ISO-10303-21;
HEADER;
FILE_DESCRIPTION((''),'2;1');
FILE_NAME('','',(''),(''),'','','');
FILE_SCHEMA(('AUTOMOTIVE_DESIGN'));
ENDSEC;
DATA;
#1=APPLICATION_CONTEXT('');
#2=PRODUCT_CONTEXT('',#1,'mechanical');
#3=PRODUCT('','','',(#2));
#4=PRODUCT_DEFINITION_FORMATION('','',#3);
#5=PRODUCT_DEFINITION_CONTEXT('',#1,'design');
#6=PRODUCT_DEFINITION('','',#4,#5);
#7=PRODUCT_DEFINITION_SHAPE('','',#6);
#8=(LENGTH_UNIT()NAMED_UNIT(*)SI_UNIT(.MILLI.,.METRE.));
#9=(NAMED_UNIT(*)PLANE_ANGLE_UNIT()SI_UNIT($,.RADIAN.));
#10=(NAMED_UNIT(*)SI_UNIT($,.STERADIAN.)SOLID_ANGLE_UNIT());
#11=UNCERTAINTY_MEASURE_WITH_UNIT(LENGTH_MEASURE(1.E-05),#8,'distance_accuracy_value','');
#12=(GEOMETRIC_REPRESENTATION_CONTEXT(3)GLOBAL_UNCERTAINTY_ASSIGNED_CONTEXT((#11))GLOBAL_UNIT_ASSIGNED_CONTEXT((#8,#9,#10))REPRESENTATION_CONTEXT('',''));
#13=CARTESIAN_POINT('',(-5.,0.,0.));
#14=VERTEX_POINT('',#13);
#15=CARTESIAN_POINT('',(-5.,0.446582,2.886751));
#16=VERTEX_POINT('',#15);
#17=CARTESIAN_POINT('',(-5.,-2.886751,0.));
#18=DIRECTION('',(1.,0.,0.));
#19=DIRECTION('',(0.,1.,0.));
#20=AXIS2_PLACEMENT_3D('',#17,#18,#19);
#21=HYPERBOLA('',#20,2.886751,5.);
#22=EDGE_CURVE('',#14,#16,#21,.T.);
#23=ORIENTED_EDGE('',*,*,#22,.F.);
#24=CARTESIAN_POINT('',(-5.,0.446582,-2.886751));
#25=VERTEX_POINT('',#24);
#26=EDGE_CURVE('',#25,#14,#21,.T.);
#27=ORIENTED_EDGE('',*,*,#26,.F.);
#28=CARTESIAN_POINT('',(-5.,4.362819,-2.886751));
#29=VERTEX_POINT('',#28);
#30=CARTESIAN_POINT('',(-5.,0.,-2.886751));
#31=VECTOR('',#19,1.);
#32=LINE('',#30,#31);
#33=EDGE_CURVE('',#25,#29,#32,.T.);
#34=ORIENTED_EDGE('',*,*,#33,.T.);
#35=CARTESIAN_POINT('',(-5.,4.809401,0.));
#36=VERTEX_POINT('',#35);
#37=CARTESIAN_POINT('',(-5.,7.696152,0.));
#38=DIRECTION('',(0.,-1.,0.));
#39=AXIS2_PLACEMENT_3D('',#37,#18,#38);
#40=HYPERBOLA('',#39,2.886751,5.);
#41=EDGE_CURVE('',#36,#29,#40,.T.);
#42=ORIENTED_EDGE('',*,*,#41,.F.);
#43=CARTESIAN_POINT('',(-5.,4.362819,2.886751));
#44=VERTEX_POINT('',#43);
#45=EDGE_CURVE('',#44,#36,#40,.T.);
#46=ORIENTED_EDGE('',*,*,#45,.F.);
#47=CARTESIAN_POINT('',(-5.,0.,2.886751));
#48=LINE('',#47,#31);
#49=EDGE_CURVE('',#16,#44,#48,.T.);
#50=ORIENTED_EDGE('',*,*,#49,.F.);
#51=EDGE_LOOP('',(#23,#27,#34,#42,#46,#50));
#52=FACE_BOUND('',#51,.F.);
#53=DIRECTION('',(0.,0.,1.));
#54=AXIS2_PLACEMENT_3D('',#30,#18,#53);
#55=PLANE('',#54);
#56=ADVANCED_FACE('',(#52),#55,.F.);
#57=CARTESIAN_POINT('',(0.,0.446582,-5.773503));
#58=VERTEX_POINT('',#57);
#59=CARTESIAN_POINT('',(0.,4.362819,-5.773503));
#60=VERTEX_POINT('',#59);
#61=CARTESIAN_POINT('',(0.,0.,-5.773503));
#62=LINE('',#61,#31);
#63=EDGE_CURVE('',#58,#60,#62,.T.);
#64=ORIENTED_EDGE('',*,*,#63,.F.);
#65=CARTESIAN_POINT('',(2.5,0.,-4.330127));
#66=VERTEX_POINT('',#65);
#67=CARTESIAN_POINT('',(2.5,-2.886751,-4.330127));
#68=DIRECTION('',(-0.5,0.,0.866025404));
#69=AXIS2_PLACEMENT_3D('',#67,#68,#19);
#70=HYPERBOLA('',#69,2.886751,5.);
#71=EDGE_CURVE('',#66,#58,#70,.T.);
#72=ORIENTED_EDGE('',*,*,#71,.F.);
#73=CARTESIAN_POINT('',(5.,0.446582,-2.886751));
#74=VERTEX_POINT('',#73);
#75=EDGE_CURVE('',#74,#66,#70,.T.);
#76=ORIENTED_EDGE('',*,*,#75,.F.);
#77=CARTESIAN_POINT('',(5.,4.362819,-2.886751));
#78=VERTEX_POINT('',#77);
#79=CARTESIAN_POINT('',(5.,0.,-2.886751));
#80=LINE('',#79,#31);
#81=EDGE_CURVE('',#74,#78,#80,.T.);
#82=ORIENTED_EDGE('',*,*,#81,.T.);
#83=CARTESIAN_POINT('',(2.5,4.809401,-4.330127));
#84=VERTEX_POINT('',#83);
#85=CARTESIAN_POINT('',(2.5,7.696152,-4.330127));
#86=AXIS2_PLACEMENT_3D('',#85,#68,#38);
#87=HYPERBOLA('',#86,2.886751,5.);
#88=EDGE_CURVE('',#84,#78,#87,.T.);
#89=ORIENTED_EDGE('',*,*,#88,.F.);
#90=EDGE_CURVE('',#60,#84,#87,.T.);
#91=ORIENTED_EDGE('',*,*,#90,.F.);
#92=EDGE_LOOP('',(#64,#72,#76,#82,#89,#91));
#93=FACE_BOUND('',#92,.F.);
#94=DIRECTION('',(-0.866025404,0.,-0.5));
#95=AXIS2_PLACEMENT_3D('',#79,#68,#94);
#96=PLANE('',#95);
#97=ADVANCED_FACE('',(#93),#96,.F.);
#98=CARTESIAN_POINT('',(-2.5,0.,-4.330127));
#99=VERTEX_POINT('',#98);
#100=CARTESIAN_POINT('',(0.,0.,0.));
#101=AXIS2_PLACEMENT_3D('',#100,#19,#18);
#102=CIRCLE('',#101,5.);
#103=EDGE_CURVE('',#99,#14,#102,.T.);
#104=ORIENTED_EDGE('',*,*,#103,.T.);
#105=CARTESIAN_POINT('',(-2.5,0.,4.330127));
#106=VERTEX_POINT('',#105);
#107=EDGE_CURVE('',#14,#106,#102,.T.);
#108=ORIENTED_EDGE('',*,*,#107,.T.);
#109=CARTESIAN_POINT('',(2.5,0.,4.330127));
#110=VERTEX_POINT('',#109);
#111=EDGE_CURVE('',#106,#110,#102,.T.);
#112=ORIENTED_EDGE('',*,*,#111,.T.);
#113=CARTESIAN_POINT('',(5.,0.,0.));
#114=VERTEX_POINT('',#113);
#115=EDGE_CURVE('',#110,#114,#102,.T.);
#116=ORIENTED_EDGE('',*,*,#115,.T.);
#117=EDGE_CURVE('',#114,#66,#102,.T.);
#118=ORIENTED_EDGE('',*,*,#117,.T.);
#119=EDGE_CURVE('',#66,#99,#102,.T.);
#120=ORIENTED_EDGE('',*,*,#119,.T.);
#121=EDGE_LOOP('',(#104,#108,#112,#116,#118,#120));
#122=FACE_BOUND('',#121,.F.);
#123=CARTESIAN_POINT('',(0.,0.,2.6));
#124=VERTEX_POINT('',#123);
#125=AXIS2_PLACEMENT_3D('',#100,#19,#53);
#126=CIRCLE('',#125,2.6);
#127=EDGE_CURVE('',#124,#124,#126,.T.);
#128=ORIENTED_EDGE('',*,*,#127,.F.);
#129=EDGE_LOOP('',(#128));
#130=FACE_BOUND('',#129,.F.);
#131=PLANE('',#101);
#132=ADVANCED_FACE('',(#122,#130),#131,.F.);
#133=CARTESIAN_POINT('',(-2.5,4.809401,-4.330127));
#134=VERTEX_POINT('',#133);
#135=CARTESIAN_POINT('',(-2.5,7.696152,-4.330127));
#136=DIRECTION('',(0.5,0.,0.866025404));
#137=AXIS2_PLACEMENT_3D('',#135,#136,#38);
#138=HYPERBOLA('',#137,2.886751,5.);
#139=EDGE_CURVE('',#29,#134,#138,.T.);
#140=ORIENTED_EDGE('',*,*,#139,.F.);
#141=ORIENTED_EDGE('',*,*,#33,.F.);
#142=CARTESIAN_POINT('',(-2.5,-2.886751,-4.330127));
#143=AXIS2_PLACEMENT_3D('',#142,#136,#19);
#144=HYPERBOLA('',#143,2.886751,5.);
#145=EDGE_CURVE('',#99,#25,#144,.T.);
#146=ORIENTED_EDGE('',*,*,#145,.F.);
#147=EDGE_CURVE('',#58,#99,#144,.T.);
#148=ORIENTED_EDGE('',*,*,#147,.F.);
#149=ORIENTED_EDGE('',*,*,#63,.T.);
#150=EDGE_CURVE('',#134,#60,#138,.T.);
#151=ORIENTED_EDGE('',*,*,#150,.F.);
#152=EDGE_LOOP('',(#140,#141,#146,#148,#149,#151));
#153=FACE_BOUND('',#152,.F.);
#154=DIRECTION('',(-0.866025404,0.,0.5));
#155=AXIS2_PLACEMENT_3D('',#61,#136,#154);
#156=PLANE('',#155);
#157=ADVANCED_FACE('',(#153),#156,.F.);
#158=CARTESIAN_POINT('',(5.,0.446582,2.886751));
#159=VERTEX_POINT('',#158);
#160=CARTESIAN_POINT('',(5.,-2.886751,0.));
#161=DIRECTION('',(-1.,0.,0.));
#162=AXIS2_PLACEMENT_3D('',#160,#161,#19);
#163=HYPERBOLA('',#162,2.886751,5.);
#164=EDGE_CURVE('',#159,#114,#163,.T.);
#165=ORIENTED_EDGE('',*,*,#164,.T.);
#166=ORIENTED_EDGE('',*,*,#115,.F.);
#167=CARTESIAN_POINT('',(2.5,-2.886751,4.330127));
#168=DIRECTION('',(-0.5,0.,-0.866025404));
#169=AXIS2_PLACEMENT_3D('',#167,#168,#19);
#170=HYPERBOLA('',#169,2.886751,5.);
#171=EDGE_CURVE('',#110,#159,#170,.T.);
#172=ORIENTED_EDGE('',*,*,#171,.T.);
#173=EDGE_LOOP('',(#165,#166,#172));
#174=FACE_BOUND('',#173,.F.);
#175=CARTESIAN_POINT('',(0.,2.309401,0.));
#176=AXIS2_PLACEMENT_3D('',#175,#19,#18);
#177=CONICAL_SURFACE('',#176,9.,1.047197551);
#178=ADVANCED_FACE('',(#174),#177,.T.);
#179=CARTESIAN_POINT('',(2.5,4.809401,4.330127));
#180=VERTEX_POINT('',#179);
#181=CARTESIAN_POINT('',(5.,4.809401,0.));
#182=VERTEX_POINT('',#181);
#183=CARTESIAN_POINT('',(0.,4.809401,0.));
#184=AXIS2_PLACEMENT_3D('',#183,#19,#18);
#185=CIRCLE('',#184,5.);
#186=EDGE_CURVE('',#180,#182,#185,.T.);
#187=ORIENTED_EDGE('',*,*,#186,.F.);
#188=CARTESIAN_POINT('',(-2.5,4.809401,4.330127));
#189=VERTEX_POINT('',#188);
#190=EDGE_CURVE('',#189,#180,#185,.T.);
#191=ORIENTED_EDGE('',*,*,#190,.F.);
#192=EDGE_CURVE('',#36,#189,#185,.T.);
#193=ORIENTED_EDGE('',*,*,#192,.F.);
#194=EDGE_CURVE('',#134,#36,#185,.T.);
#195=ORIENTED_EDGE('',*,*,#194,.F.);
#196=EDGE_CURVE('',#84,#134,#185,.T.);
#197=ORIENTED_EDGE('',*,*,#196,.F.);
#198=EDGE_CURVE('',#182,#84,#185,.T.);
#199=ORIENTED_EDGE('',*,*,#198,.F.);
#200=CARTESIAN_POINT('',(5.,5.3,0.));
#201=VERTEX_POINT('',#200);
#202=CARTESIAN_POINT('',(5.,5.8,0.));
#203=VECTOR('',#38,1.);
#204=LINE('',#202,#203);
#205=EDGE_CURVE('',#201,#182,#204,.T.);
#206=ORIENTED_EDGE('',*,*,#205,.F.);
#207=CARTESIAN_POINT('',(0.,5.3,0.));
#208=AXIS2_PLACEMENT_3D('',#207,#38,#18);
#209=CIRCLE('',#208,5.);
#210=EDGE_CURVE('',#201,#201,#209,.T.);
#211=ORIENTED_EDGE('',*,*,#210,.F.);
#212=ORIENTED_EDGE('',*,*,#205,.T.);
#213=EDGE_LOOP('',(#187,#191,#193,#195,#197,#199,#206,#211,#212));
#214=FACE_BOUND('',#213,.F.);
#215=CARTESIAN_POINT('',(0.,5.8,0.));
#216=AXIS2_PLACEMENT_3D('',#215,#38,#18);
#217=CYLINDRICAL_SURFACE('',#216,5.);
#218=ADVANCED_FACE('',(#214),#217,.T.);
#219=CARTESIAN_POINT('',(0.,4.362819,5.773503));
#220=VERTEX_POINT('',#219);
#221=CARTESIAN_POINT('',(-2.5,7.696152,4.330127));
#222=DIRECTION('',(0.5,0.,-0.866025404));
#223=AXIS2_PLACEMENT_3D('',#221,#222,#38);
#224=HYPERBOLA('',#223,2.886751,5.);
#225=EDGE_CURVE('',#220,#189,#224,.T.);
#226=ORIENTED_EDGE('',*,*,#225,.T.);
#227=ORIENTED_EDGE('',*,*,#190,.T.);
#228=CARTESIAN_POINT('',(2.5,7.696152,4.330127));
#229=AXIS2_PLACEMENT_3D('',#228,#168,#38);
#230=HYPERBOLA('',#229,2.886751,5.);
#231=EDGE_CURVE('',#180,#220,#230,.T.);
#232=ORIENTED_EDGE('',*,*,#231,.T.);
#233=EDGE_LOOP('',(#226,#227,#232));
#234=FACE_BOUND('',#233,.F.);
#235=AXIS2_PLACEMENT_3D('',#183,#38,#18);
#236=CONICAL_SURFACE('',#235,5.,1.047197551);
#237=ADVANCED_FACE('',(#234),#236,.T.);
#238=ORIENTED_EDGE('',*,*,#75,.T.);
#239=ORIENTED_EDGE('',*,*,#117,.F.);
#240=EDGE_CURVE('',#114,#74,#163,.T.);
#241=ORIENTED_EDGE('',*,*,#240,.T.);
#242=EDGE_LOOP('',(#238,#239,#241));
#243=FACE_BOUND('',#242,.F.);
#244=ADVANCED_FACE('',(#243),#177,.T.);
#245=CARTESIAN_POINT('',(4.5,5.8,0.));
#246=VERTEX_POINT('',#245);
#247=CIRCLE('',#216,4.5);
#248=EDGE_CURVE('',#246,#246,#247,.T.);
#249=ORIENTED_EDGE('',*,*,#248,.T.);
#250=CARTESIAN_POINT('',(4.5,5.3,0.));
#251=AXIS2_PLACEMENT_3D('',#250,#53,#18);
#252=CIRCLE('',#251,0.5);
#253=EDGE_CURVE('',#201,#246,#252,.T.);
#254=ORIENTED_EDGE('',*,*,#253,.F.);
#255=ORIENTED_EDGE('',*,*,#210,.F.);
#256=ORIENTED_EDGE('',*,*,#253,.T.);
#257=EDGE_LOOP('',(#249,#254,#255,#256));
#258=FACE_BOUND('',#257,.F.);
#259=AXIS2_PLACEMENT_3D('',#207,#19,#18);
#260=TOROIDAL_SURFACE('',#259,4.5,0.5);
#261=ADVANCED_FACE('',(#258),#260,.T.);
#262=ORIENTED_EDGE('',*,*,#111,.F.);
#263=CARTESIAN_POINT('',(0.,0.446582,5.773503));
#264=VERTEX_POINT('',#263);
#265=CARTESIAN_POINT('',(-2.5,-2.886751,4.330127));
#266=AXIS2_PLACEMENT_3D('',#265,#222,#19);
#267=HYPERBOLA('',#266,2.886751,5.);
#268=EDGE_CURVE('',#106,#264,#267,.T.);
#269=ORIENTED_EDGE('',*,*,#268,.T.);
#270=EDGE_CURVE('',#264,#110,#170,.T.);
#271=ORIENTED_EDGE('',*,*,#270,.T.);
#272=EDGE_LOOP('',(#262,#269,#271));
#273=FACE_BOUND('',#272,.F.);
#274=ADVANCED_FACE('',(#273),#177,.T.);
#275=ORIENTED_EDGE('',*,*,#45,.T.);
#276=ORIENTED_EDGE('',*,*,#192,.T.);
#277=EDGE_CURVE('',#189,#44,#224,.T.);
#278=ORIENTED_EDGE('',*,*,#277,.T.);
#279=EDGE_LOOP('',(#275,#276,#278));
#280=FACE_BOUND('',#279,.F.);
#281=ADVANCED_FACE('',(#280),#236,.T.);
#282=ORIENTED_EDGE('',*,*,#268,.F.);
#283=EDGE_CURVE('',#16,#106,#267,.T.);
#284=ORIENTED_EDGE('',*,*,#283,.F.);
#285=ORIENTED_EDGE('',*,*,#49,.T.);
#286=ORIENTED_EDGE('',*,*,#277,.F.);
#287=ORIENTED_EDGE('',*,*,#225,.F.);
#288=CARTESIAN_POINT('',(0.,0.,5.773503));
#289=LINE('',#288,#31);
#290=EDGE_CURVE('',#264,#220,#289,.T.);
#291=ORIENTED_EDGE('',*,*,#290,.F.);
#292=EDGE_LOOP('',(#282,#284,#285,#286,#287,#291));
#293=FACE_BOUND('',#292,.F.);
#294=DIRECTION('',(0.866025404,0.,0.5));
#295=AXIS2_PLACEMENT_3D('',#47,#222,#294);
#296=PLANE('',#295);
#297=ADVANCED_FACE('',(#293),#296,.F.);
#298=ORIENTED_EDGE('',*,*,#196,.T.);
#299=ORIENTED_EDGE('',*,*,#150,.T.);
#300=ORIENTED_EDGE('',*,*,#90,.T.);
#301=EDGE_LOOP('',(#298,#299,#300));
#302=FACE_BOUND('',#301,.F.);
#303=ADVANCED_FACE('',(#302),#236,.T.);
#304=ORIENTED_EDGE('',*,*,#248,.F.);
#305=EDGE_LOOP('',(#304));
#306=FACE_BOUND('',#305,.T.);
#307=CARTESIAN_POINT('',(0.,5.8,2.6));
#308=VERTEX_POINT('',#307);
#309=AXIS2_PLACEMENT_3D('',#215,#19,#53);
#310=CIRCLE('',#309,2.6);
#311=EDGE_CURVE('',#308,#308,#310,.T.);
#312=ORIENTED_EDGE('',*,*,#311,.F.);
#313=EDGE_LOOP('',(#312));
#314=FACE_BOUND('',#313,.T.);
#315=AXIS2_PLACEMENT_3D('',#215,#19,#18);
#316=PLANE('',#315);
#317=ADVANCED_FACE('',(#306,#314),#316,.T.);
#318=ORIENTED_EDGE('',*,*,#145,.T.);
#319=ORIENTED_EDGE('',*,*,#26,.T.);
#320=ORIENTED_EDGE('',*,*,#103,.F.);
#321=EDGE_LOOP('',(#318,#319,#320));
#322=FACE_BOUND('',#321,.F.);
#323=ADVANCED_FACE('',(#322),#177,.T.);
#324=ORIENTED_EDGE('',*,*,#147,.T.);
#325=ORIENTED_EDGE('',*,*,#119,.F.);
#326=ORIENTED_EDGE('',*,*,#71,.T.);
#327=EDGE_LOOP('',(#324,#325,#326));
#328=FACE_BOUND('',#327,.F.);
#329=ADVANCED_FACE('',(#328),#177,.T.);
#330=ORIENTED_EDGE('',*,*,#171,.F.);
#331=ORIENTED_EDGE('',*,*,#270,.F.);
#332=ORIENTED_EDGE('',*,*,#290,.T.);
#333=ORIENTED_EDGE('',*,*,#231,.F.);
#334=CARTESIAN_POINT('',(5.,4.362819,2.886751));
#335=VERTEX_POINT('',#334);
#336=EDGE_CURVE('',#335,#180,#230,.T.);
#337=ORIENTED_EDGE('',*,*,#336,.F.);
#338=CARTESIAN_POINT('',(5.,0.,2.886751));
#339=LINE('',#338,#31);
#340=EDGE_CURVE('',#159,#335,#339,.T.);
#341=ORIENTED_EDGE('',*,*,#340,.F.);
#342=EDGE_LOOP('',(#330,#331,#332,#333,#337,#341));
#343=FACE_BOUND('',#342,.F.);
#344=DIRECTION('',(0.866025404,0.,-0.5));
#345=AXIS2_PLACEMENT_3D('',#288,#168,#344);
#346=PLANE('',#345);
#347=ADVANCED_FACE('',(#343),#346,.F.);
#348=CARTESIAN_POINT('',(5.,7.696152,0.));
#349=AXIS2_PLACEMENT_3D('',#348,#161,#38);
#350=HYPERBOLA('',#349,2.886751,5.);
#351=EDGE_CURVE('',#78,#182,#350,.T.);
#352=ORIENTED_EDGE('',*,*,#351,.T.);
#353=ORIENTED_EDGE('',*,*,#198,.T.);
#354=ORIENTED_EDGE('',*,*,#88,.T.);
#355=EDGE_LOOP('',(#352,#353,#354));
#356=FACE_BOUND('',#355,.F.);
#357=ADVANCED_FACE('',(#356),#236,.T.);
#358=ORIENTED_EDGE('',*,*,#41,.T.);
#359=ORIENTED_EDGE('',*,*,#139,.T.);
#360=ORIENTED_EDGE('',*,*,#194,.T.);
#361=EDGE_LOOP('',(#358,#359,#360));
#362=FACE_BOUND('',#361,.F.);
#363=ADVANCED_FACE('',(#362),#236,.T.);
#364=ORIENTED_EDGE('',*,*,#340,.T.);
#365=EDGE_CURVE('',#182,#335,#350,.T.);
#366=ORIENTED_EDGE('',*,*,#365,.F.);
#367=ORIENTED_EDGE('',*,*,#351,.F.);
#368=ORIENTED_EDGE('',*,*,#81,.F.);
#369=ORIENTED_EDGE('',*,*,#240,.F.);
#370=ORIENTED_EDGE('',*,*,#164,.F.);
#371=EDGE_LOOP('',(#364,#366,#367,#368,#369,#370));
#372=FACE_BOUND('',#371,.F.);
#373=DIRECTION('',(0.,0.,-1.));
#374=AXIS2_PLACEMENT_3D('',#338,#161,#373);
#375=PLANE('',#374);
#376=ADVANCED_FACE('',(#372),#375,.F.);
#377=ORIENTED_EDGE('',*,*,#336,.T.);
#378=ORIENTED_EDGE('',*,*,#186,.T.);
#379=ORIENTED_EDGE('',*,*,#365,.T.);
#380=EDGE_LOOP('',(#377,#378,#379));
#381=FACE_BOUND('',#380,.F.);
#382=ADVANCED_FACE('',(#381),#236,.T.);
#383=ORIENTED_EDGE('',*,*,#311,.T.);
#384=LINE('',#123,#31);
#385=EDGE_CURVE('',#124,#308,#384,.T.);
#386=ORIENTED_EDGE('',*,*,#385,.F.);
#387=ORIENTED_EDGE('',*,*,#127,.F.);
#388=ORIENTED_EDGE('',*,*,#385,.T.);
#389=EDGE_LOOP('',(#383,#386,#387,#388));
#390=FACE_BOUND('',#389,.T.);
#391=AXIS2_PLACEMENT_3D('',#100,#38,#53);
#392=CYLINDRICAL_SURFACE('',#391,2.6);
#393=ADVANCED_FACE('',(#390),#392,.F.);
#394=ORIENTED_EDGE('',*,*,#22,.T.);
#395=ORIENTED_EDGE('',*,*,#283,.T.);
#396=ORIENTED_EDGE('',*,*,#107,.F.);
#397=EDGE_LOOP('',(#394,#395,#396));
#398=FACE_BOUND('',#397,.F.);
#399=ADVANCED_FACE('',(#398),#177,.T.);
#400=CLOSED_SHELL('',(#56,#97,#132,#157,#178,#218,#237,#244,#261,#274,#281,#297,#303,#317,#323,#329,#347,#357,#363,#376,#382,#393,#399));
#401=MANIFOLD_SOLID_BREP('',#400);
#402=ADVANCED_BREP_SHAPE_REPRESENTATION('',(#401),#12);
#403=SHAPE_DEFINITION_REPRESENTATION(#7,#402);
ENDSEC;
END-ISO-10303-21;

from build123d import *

# Parameters (mm, degrees)
SKETCH1_R      = 2.6
EXTRUDE1_DEPTH = 5.8
SKETCH2_W      = 2
SKETCH2_H      = 1
FILLET1_R      = 0.5


with BuildPart() as part:
    # Sketch1 → Extrude1 (new body)
    with BuildSketch(Plane(origin=(0, 0, 0), x_dir=(1, 0, 0), z_dir=(0, 1, 0))):
        Polygon((0, -5.773502692), (5, -2.886751346), (5, 2.886751346), (0, 5.773502692), (-5, 2.886751346), (-5, -2.886751346), align=None)
        with Locations(Location((0, 0, 0), (0, 0, 270))):
            Circle(SKETCH1_R, mode=Mode.SUBTRACT)
    extrude(amount=EXTRUDE1_DEPTH)

    # Sketch2 → Cut-Revolve1 (revolve, cut)
    with BuildSketch(Plane.XY, mode=Mode.PRIVATE) as cut_revolve1_sk:
        Polygon((-5, 5.8), (-5, 4.809401077), (-9, 2.5), (-9, 5.8), align=None)
        with Locations((-1, 5.3)):
            Rectangle(SKETCH2_W, SKETCH2_H)
        Polygon((-5, 0), (-9, 0), (-9, 2.309401077), align=None)
    revolve(cut_revolve1_sk.sketch.rotate(Axis((0, 0, 0), (0, 1, 0)), 180), axis=Axis((0, 0, 0), (0, 1, 0)), mode=Mode.SUBTRACT)

    # Fillet1
    fillet1_edges = [part.edges().sort_by_distance(p)[0] for p in [
        (-5, 5.8, 0),
    ]]
    fillet(fillet1_edges, radius=FILLET1_R)


solid = part.part
